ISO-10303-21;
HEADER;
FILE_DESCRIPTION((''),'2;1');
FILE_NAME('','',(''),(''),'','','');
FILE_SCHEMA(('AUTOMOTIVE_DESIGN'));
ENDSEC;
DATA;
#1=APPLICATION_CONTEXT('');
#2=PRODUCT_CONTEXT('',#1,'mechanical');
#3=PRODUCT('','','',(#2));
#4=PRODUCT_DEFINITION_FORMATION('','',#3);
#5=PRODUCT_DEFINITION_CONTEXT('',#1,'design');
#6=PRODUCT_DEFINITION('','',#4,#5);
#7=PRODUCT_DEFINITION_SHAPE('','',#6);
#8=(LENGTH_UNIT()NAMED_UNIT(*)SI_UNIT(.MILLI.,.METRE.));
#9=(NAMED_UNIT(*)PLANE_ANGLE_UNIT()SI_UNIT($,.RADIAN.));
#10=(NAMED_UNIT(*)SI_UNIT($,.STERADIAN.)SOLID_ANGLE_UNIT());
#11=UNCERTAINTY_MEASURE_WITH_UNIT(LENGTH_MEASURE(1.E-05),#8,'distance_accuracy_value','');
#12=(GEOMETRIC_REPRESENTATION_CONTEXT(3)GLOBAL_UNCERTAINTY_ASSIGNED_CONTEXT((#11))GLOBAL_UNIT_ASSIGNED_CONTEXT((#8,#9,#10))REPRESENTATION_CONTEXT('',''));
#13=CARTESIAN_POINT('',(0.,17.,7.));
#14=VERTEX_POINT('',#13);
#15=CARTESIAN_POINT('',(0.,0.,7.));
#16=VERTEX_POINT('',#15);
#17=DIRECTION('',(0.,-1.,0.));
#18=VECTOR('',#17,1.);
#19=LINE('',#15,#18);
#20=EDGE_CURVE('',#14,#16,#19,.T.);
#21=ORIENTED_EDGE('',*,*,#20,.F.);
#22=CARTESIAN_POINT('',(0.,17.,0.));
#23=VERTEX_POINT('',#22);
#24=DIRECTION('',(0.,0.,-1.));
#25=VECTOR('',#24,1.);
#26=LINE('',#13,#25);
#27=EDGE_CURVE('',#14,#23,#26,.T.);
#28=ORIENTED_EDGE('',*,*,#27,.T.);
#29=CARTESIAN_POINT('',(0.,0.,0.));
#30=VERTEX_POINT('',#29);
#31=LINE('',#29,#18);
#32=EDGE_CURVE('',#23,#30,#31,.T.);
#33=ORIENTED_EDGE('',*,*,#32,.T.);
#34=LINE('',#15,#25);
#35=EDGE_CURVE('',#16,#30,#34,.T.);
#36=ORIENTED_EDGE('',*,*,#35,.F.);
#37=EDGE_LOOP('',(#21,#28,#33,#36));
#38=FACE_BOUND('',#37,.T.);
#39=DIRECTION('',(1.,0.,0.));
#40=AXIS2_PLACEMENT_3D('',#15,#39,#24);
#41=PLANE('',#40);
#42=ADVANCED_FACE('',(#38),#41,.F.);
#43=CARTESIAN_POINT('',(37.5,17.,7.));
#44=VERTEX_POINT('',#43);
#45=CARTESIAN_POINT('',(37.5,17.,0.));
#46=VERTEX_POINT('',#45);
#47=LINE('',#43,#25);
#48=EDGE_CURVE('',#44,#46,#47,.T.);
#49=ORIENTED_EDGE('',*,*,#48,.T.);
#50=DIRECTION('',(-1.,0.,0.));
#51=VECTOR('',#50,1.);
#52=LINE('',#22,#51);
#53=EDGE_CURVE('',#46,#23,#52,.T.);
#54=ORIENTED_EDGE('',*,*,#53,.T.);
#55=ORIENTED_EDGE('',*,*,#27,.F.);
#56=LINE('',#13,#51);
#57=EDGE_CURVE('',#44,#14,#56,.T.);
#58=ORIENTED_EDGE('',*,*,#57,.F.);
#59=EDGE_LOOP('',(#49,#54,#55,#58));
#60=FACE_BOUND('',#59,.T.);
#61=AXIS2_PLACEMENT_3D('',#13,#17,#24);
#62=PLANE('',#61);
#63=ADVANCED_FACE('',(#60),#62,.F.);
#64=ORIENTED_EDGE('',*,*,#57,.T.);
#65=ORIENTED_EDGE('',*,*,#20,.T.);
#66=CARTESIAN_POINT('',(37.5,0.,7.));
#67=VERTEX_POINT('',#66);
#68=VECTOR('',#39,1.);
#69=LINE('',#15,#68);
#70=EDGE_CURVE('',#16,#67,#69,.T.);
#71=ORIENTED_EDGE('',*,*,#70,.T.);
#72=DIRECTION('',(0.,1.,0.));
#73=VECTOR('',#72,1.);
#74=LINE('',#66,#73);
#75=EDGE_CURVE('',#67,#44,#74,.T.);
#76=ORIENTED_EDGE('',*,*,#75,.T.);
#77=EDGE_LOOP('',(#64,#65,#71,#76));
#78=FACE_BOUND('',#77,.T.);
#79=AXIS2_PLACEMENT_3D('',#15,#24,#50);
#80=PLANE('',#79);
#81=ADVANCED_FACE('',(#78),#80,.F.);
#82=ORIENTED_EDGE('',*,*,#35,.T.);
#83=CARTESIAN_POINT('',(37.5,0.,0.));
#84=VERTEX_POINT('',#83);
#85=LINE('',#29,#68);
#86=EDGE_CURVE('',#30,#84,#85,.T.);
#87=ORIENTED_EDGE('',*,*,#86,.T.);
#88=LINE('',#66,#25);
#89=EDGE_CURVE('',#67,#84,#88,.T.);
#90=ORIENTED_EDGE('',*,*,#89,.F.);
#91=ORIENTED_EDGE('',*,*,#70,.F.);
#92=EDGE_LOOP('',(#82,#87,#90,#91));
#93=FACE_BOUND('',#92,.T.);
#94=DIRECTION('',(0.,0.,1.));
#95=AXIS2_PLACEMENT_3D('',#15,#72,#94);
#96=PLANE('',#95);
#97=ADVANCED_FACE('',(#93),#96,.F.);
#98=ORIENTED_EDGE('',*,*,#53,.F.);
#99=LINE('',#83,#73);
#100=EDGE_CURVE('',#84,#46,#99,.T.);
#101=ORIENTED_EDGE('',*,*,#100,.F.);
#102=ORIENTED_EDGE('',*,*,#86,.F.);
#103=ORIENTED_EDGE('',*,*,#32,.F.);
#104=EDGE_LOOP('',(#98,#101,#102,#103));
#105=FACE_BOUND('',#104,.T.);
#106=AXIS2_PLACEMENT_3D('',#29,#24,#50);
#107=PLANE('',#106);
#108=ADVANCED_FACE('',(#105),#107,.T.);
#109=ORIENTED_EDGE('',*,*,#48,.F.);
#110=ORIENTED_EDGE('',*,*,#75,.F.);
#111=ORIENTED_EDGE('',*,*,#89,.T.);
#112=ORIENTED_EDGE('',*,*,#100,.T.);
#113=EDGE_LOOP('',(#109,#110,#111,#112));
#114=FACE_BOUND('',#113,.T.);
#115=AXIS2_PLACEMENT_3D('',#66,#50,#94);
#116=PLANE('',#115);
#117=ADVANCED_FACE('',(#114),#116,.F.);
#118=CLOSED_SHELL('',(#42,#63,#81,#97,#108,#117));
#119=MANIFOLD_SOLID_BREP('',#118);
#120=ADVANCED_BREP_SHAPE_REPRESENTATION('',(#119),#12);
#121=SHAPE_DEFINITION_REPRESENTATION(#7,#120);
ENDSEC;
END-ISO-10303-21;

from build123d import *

# Parameters (mm, degrees)
SKETCH1_W           = 37.5
SKETCH1_H           = 17
BOSS_EXTRUDE1_DEPTH = 7


with BuildPart() as part:
    # Sketch1 → Boss-Extrude1 (new body)
    with BuildSketch(Plane.XY):
        with Locations((18.75, 8.5)):
            Rectangle(SKETCH1_W, SKETCH1_H)
    extrude(amount=BOSS_EXTRUDE1_DEPTH)


solid = part.part
